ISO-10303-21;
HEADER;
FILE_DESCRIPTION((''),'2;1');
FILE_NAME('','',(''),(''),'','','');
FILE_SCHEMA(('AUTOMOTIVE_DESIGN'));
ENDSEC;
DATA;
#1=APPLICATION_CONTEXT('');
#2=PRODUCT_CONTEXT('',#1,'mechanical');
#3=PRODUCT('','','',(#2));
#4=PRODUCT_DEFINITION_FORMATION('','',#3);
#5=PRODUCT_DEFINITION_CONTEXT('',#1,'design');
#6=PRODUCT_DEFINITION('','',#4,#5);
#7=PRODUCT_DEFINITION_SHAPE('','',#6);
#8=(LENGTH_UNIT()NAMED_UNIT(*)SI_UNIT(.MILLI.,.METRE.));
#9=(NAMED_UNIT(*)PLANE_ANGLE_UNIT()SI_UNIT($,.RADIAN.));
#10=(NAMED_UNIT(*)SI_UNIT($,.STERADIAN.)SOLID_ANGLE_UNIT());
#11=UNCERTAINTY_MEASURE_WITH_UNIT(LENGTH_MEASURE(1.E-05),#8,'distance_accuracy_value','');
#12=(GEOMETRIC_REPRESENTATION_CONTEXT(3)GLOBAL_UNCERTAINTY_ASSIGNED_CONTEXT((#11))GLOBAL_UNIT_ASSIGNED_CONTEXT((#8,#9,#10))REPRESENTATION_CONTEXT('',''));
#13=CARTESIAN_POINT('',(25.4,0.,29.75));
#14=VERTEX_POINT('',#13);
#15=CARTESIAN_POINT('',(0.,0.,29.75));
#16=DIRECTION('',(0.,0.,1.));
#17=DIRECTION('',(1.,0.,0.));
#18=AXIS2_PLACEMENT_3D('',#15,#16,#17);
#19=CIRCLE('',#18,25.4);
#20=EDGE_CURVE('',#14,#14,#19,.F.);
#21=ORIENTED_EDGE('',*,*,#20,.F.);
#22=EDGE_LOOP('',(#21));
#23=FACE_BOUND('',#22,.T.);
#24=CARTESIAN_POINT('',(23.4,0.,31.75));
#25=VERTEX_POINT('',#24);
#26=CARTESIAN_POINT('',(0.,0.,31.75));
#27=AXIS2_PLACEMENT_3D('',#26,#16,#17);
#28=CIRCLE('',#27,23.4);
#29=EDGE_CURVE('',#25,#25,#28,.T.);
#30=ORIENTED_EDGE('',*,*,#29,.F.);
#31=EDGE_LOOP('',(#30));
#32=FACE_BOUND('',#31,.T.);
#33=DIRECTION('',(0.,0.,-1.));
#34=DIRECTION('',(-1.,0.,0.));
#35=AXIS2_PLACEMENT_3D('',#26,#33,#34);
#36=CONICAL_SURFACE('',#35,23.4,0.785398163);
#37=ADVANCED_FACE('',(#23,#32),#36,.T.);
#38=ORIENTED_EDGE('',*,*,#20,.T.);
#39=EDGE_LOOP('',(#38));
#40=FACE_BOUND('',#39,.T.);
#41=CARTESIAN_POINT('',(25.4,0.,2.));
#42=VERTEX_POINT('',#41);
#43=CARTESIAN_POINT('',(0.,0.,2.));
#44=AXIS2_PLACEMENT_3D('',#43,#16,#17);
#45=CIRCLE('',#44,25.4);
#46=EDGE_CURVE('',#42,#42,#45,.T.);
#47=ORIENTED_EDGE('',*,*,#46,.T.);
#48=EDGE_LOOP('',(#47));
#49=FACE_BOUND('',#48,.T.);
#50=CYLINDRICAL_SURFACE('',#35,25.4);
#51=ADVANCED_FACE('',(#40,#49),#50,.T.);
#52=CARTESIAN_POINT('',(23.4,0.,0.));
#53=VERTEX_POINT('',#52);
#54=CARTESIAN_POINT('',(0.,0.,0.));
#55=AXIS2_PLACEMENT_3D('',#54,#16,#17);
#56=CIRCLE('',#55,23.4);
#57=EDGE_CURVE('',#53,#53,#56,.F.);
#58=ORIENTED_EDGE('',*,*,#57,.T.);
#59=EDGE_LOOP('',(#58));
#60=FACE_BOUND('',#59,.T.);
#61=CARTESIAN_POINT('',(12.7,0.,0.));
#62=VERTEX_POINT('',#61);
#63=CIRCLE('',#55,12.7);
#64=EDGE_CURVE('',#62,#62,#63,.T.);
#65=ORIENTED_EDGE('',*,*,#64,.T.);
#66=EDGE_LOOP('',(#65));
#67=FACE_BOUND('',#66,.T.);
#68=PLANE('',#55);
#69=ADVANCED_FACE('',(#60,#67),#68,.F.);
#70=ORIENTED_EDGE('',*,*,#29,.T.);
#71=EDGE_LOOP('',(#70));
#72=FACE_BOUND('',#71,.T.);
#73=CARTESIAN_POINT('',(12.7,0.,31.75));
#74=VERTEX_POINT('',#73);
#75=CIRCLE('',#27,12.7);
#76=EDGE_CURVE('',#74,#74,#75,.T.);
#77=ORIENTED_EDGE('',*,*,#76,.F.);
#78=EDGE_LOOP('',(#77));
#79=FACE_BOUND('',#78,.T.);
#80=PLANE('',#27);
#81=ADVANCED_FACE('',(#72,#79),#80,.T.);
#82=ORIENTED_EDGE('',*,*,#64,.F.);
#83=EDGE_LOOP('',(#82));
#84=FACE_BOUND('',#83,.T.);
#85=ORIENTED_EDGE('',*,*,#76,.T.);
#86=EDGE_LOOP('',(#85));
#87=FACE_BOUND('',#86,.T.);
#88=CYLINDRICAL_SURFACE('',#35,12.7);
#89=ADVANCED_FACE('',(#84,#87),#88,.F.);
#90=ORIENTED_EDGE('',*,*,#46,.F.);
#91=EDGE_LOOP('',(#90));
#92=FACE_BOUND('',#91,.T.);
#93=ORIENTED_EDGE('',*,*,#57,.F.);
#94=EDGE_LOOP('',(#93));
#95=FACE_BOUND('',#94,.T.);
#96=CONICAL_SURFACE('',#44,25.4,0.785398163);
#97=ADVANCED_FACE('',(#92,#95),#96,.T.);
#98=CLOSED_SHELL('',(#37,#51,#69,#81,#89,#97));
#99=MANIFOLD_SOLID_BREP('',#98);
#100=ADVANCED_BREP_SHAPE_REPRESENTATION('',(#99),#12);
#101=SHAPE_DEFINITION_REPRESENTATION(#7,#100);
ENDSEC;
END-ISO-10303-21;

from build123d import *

# Parameters (mm, degrees)
SKETCH1_R           = 25.4
SKETCH1_R_2         = 12.7
BOSS_EXTRUDE1_DEPTH = 31.75
CHAMFER1_SIZE       = 2


with BuildPart() as part:
    # Sketch1 → Boss-Extrude1 (new body)
    with BuildSketch(Plane(origin=(0, 0, 0), x_dir=(0, 1, 0), z_dir=(0, 0, 1))):
        with Locations(Location((0, 0, 0), (0, 0, 270))):
            Circle(SKETCH1_R)
        with Locations(Location((0, 0, 0), (0, 0, 270))):
            Circle(SKETCH1_R_2, mode=Mode.SUBTRACT)
    extrude(amount=BOSS_EXTRUDE1_DEPTH)

    # Chamfer1
    chamfer1_edges = [part.edges().sort_by_distance(p)[0] for p in [
        (-25.4, 0, 31.75),
        (-25.4, 0, 0),
    ]]
    chamfer(chamfer1_edges, length=CHAMFER1_SIZE)


solid = part.part
